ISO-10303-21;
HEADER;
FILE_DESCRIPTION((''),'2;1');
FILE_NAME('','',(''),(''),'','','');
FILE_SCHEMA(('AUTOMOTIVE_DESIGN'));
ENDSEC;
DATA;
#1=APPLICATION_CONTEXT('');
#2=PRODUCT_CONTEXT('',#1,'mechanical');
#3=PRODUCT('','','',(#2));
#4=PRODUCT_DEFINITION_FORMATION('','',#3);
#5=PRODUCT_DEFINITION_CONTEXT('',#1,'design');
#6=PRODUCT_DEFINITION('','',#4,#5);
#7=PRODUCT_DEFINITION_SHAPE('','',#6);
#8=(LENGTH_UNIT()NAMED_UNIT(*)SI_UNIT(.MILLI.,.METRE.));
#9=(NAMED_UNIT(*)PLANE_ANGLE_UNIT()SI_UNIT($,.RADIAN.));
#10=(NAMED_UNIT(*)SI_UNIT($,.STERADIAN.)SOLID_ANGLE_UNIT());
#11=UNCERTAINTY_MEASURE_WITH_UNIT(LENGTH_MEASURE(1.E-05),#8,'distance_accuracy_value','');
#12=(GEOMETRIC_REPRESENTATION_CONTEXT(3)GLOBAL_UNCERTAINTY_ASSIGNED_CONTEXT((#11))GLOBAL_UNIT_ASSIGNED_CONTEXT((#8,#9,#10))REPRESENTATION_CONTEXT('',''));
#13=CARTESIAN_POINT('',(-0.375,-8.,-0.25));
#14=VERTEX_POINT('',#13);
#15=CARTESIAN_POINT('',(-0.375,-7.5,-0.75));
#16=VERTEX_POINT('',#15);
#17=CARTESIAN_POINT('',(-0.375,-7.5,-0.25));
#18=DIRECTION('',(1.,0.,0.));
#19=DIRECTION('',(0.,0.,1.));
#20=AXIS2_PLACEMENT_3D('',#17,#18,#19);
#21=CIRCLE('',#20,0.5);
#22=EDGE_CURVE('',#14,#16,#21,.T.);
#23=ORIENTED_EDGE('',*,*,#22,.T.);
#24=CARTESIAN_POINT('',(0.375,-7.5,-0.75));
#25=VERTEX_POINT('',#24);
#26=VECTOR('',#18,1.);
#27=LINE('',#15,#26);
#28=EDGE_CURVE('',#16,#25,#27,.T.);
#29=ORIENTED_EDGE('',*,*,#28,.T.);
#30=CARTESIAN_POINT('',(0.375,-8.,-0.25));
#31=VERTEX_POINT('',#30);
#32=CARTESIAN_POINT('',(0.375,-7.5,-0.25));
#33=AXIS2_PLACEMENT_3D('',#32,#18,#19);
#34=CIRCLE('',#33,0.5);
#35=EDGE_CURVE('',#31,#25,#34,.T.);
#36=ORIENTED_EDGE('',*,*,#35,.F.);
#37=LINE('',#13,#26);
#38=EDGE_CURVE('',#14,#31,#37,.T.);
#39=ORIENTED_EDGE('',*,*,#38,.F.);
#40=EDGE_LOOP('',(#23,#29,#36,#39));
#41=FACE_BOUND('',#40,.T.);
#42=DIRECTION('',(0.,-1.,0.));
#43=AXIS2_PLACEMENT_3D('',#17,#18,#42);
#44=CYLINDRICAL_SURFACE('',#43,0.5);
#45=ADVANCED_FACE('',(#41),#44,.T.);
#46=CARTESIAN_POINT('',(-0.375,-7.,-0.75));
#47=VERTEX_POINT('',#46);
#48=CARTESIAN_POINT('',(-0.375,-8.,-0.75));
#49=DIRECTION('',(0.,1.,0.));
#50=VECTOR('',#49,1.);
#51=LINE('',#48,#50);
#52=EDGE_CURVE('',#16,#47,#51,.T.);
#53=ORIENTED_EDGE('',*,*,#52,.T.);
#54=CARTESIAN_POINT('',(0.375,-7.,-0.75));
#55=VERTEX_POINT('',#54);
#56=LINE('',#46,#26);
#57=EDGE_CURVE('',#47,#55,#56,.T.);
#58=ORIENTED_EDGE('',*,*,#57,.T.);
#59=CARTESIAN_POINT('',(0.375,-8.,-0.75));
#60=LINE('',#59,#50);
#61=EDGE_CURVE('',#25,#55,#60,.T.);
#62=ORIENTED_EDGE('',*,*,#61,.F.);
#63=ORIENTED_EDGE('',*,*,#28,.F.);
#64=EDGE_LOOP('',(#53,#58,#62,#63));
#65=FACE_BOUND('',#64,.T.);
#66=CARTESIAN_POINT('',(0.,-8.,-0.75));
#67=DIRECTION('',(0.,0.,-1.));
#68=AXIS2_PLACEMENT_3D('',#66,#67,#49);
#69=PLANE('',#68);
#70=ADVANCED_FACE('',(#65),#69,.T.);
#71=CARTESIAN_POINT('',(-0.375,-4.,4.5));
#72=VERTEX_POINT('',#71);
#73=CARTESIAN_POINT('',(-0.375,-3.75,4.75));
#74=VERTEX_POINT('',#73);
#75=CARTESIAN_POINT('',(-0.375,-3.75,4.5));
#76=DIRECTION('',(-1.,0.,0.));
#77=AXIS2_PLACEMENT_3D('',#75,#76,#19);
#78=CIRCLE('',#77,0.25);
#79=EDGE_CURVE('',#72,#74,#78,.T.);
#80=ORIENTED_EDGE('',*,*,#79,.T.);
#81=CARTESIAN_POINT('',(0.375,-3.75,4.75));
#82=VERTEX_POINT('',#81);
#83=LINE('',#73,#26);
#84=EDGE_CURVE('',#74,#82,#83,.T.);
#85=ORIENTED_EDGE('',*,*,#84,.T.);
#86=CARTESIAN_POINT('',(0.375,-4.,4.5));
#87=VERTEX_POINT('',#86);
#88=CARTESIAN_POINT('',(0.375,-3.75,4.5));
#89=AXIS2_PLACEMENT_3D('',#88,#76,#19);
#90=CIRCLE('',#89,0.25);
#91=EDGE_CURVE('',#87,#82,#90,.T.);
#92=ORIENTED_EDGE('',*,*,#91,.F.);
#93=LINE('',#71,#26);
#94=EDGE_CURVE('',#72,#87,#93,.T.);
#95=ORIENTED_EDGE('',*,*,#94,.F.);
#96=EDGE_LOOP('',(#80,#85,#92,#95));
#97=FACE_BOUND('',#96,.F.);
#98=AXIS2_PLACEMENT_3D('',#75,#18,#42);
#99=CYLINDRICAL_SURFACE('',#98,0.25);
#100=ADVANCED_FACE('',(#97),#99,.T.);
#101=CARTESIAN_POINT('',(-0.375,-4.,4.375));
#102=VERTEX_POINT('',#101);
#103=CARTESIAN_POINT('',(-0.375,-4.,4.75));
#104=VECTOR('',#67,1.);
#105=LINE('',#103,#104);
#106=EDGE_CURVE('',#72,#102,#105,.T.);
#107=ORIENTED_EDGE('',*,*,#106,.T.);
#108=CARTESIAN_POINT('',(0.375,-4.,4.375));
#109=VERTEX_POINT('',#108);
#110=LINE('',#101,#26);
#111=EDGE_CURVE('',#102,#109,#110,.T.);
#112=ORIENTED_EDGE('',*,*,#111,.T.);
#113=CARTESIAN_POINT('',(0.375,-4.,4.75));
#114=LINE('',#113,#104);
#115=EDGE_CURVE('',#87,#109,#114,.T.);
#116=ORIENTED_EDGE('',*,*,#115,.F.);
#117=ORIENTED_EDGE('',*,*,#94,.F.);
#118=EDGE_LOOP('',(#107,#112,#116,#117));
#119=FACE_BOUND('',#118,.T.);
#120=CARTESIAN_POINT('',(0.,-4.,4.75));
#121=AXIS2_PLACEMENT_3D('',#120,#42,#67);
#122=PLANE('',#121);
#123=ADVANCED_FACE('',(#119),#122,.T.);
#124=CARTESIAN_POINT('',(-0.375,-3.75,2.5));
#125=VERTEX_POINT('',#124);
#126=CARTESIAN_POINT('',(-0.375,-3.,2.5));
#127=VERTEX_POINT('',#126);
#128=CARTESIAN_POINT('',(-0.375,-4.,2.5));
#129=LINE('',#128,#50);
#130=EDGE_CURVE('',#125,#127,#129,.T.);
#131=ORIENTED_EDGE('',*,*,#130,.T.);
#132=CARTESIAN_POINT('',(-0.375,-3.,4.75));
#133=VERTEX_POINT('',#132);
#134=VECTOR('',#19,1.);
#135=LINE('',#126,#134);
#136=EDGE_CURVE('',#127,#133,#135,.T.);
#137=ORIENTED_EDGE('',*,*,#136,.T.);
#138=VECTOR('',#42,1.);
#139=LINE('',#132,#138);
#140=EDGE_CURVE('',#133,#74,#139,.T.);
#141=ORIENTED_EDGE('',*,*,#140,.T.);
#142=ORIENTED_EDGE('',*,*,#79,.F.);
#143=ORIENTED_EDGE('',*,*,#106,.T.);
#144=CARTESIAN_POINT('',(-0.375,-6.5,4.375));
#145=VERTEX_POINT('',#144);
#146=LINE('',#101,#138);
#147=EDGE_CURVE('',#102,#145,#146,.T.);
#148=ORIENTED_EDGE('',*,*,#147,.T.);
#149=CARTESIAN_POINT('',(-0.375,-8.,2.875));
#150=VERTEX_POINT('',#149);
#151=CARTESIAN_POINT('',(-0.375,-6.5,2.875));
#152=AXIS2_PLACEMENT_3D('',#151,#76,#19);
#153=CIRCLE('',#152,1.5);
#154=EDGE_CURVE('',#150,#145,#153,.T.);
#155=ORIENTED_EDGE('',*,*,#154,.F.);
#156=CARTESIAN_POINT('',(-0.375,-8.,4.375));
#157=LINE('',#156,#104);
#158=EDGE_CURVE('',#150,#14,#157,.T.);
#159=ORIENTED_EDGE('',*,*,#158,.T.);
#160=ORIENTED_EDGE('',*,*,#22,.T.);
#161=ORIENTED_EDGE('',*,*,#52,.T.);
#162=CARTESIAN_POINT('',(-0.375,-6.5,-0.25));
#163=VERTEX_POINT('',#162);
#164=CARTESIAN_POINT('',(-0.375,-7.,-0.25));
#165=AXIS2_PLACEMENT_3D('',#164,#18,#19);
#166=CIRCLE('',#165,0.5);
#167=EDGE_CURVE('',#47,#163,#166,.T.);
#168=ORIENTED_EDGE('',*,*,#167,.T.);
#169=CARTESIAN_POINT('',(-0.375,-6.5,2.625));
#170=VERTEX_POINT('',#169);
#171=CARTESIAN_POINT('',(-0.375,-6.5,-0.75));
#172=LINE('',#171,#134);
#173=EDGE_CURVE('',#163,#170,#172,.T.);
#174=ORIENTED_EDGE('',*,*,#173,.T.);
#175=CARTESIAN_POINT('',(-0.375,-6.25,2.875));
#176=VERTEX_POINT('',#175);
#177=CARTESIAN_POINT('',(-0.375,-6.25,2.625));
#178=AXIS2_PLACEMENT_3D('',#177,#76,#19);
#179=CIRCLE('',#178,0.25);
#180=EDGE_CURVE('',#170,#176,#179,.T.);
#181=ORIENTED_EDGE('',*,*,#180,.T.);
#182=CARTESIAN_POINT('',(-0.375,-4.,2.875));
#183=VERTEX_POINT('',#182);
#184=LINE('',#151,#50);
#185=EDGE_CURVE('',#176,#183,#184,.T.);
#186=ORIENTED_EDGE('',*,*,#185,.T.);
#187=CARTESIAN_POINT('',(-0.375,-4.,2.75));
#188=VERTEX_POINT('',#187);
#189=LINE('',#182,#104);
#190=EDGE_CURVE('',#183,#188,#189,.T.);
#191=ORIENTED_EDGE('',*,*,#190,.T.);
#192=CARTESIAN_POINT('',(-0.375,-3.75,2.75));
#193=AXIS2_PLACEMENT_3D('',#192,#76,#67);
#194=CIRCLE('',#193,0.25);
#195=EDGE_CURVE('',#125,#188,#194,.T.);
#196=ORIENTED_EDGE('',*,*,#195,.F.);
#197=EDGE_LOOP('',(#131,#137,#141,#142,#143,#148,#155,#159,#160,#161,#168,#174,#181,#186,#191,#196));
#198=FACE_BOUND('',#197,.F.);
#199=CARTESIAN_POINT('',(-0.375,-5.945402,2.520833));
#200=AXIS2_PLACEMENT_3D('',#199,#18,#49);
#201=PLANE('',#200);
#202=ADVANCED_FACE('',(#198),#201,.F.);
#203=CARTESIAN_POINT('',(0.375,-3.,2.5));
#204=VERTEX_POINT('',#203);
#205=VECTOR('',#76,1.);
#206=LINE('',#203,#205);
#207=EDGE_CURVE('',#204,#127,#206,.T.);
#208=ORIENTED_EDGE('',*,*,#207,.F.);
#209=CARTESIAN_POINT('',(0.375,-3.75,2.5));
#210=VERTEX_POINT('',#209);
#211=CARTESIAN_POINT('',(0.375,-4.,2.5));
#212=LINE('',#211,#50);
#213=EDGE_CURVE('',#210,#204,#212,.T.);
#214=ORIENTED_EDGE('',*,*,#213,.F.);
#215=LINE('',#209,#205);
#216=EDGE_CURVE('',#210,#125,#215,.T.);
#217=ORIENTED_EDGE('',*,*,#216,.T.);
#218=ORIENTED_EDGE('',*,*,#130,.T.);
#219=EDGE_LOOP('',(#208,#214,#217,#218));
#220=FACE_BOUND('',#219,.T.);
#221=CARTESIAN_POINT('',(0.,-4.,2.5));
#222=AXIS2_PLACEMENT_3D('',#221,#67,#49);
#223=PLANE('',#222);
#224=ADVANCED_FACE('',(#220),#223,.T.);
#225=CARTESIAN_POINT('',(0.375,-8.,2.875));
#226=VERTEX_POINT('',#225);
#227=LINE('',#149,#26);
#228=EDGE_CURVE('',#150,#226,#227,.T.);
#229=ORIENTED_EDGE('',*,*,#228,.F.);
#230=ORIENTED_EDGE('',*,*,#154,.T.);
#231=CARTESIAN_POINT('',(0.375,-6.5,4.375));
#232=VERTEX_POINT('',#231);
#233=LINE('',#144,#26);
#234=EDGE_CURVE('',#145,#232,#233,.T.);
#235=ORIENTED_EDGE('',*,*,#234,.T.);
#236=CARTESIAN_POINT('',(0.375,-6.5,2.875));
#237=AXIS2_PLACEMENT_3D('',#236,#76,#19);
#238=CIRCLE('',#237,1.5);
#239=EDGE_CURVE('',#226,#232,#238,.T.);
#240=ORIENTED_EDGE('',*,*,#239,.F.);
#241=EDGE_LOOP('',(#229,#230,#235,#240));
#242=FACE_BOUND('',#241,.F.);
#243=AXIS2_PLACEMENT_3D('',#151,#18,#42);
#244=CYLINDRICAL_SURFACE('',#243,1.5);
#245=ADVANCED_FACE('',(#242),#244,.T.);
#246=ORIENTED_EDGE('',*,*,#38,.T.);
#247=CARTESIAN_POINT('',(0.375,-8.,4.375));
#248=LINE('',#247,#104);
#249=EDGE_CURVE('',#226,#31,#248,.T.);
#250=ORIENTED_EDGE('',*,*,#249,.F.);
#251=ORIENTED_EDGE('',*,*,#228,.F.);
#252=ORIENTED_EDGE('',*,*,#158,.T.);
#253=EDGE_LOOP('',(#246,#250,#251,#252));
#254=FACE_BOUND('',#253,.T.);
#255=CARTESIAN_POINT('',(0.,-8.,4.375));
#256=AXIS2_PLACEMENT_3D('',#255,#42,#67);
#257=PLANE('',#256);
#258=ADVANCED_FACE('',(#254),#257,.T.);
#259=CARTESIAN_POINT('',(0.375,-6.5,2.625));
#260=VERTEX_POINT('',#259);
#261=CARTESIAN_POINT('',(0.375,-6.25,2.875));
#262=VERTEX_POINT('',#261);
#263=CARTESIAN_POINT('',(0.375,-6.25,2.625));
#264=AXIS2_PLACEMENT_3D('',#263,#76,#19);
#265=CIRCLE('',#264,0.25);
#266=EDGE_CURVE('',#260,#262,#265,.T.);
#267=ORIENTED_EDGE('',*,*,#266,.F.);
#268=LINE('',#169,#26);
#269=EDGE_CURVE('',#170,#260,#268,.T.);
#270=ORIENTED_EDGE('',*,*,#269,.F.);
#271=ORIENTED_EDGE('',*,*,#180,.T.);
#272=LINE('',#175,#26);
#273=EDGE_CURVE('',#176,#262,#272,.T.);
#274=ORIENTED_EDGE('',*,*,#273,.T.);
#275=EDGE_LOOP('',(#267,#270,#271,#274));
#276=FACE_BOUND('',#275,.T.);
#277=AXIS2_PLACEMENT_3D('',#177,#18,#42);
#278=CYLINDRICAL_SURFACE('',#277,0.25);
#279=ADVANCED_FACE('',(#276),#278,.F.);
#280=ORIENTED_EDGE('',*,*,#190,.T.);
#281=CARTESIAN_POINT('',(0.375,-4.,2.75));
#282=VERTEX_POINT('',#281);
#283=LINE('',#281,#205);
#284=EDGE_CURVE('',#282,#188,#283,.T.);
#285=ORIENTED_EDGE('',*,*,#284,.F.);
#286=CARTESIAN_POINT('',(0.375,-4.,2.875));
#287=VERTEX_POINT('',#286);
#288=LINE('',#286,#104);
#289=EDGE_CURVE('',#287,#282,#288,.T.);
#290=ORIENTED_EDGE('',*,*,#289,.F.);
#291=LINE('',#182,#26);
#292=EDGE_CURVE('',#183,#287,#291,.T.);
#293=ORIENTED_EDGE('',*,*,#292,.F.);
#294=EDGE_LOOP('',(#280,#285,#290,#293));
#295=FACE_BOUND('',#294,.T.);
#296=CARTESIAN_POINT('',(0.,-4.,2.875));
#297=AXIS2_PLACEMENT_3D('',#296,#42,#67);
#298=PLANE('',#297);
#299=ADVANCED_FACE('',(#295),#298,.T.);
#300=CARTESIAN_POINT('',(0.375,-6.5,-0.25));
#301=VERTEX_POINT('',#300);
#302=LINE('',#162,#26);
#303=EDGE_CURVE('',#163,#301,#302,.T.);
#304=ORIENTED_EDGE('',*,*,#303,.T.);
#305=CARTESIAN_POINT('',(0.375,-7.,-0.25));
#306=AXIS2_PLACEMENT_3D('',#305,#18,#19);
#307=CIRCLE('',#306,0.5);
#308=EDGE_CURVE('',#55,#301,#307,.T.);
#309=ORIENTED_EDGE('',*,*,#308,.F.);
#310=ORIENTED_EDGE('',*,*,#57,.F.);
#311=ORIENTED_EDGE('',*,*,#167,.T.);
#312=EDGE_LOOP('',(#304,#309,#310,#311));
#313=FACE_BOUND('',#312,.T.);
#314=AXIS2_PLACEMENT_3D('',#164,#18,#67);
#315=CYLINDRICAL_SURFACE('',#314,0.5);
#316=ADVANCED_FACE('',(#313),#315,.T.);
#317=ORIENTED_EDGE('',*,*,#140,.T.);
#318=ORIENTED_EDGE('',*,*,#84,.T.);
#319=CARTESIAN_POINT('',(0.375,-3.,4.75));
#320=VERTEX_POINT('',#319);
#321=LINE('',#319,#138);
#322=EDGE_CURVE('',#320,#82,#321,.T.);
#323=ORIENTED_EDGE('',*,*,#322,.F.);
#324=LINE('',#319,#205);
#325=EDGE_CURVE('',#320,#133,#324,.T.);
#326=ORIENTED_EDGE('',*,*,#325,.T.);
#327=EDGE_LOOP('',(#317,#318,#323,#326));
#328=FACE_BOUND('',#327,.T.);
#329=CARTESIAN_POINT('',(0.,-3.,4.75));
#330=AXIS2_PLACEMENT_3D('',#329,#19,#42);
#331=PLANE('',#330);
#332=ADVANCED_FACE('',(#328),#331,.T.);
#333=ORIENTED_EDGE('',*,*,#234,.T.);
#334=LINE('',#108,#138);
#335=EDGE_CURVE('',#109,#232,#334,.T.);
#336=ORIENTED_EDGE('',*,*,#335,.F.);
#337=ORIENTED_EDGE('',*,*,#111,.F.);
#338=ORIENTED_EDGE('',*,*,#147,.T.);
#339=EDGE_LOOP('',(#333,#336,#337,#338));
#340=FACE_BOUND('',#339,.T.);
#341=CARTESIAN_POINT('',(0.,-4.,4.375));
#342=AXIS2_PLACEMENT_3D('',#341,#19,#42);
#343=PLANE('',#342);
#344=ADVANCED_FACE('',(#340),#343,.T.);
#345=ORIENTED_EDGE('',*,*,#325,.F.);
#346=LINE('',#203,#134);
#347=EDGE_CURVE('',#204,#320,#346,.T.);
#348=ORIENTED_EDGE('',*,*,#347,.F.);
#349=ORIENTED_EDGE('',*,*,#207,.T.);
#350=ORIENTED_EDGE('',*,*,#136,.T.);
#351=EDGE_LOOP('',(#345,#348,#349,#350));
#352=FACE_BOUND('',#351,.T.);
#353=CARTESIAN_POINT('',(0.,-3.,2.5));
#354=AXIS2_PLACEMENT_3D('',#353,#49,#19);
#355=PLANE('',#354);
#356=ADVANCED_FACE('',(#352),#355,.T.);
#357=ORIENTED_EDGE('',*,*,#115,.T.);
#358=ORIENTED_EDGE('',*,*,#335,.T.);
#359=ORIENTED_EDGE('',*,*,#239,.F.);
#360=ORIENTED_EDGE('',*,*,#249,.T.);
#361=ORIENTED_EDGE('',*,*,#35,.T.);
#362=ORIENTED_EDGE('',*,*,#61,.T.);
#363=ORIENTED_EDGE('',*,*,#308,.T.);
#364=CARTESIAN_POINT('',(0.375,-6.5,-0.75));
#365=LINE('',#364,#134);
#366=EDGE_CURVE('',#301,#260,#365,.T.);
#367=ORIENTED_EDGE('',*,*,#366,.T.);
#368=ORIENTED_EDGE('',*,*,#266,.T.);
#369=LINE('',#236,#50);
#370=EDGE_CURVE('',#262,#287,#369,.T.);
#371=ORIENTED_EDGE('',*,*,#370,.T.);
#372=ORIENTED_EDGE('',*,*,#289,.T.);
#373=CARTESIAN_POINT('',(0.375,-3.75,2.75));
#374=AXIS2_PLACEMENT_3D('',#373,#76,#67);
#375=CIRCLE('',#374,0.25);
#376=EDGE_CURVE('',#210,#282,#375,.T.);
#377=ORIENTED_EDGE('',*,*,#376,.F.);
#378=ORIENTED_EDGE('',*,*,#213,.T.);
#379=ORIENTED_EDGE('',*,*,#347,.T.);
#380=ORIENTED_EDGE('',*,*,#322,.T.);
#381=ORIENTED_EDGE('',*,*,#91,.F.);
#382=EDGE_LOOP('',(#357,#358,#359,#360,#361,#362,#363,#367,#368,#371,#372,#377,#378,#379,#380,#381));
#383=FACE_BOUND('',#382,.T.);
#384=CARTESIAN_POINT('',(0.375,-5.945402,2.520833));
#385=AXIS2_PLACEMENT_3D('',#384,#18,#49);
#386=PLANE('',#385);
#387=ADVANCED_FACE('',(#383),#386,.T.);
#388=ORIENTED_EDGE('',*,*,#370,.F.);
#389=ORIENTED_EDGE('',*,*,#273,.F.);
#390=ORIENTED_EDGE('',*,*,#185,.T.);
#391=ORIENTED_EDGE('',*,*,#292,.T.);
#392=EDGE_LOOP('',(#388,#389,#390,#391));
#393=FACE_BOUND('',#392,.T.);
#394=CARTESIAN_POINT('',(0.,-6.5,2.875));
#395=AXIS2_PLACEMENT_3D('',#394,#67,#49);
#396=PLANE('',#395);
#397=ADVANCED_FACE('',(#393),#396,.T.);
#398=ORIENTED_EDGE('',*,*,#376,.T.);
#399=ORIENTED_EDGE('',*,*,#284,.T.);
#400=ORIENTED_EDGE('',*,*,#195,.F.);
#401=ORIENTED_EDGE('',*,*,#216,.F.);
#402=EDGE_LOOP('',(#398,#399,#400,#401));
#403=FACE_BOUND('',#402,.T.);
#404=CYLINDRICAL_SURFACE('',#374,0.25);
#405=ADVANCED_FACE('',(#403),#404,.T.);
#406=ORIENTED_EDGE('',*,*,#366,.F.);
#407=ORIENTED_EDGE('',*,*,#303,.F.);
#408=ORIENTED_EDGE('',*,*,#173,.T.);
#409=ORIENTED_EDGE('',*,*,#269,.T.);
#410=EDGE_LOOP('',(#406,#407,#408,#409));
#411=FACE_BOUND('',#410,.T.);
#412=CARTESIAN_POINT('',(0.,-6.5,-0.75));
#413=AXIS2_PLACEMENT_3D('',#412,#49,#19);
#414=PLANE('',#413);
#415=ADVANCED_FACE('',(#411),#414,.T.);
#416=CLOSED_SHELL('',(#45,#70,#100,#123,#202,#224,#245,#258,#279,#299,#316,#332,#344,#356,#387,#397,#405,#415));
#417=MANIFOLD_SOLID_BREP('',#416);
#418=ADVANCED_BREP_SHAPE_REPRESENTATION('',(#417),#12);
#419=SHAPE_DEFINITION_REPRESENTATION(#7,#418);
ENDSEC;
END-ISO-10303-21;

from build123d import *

# Parameters (mm, degrees)
PAD003_DEPTH = 0.375
FILLET001_R  = 1.5
FILLET002_R  = 0.25
FILLET003_R  = 0.5


with BuildPart() as part:
    # Sketch007 → Pad003 (new body, symmetric)
    with BuildSketch(Plane.YZ):
        Polygon((-3, 4.75), (-4, 4.75), (-4, 4.375), (-8, 4.375), (-8, -0.75), (-6.5, -0.75), (-6.5, 2.875), (-4, 2.875), (-4, 2.5), (-3, 2.5), align=None)
    extrude(amount=PAD003_DEPTH, both=True)

    # Fillet001
    fillet001_edges = [part.edges().sort_by_distance(p)[0] for p in [
        (0, -8, 4.375),
    ]]
    fillet(fillet001_edges, radius=FILLET001_R)

    # Fillet002
    fillet002_edges = [part.edges().sort_by_distance(p)[0] for p in [
        (0, -4, 4.75),
        (0, -4, 2.5),
        (0, -6.5, 2.875),
    ]]
    fillet(fillet002_edges, radius=FILLET002_R)

    # Fillet003
    fillet003_edges = [part.edges().sort_by_distance(p)[0] for p in [
        (0, -8, -0.75),
        (0, -6.5, -0.75),
    ]]
    fillet(fillet003_edges, radius=FILLET003_R)


solid = part.part
